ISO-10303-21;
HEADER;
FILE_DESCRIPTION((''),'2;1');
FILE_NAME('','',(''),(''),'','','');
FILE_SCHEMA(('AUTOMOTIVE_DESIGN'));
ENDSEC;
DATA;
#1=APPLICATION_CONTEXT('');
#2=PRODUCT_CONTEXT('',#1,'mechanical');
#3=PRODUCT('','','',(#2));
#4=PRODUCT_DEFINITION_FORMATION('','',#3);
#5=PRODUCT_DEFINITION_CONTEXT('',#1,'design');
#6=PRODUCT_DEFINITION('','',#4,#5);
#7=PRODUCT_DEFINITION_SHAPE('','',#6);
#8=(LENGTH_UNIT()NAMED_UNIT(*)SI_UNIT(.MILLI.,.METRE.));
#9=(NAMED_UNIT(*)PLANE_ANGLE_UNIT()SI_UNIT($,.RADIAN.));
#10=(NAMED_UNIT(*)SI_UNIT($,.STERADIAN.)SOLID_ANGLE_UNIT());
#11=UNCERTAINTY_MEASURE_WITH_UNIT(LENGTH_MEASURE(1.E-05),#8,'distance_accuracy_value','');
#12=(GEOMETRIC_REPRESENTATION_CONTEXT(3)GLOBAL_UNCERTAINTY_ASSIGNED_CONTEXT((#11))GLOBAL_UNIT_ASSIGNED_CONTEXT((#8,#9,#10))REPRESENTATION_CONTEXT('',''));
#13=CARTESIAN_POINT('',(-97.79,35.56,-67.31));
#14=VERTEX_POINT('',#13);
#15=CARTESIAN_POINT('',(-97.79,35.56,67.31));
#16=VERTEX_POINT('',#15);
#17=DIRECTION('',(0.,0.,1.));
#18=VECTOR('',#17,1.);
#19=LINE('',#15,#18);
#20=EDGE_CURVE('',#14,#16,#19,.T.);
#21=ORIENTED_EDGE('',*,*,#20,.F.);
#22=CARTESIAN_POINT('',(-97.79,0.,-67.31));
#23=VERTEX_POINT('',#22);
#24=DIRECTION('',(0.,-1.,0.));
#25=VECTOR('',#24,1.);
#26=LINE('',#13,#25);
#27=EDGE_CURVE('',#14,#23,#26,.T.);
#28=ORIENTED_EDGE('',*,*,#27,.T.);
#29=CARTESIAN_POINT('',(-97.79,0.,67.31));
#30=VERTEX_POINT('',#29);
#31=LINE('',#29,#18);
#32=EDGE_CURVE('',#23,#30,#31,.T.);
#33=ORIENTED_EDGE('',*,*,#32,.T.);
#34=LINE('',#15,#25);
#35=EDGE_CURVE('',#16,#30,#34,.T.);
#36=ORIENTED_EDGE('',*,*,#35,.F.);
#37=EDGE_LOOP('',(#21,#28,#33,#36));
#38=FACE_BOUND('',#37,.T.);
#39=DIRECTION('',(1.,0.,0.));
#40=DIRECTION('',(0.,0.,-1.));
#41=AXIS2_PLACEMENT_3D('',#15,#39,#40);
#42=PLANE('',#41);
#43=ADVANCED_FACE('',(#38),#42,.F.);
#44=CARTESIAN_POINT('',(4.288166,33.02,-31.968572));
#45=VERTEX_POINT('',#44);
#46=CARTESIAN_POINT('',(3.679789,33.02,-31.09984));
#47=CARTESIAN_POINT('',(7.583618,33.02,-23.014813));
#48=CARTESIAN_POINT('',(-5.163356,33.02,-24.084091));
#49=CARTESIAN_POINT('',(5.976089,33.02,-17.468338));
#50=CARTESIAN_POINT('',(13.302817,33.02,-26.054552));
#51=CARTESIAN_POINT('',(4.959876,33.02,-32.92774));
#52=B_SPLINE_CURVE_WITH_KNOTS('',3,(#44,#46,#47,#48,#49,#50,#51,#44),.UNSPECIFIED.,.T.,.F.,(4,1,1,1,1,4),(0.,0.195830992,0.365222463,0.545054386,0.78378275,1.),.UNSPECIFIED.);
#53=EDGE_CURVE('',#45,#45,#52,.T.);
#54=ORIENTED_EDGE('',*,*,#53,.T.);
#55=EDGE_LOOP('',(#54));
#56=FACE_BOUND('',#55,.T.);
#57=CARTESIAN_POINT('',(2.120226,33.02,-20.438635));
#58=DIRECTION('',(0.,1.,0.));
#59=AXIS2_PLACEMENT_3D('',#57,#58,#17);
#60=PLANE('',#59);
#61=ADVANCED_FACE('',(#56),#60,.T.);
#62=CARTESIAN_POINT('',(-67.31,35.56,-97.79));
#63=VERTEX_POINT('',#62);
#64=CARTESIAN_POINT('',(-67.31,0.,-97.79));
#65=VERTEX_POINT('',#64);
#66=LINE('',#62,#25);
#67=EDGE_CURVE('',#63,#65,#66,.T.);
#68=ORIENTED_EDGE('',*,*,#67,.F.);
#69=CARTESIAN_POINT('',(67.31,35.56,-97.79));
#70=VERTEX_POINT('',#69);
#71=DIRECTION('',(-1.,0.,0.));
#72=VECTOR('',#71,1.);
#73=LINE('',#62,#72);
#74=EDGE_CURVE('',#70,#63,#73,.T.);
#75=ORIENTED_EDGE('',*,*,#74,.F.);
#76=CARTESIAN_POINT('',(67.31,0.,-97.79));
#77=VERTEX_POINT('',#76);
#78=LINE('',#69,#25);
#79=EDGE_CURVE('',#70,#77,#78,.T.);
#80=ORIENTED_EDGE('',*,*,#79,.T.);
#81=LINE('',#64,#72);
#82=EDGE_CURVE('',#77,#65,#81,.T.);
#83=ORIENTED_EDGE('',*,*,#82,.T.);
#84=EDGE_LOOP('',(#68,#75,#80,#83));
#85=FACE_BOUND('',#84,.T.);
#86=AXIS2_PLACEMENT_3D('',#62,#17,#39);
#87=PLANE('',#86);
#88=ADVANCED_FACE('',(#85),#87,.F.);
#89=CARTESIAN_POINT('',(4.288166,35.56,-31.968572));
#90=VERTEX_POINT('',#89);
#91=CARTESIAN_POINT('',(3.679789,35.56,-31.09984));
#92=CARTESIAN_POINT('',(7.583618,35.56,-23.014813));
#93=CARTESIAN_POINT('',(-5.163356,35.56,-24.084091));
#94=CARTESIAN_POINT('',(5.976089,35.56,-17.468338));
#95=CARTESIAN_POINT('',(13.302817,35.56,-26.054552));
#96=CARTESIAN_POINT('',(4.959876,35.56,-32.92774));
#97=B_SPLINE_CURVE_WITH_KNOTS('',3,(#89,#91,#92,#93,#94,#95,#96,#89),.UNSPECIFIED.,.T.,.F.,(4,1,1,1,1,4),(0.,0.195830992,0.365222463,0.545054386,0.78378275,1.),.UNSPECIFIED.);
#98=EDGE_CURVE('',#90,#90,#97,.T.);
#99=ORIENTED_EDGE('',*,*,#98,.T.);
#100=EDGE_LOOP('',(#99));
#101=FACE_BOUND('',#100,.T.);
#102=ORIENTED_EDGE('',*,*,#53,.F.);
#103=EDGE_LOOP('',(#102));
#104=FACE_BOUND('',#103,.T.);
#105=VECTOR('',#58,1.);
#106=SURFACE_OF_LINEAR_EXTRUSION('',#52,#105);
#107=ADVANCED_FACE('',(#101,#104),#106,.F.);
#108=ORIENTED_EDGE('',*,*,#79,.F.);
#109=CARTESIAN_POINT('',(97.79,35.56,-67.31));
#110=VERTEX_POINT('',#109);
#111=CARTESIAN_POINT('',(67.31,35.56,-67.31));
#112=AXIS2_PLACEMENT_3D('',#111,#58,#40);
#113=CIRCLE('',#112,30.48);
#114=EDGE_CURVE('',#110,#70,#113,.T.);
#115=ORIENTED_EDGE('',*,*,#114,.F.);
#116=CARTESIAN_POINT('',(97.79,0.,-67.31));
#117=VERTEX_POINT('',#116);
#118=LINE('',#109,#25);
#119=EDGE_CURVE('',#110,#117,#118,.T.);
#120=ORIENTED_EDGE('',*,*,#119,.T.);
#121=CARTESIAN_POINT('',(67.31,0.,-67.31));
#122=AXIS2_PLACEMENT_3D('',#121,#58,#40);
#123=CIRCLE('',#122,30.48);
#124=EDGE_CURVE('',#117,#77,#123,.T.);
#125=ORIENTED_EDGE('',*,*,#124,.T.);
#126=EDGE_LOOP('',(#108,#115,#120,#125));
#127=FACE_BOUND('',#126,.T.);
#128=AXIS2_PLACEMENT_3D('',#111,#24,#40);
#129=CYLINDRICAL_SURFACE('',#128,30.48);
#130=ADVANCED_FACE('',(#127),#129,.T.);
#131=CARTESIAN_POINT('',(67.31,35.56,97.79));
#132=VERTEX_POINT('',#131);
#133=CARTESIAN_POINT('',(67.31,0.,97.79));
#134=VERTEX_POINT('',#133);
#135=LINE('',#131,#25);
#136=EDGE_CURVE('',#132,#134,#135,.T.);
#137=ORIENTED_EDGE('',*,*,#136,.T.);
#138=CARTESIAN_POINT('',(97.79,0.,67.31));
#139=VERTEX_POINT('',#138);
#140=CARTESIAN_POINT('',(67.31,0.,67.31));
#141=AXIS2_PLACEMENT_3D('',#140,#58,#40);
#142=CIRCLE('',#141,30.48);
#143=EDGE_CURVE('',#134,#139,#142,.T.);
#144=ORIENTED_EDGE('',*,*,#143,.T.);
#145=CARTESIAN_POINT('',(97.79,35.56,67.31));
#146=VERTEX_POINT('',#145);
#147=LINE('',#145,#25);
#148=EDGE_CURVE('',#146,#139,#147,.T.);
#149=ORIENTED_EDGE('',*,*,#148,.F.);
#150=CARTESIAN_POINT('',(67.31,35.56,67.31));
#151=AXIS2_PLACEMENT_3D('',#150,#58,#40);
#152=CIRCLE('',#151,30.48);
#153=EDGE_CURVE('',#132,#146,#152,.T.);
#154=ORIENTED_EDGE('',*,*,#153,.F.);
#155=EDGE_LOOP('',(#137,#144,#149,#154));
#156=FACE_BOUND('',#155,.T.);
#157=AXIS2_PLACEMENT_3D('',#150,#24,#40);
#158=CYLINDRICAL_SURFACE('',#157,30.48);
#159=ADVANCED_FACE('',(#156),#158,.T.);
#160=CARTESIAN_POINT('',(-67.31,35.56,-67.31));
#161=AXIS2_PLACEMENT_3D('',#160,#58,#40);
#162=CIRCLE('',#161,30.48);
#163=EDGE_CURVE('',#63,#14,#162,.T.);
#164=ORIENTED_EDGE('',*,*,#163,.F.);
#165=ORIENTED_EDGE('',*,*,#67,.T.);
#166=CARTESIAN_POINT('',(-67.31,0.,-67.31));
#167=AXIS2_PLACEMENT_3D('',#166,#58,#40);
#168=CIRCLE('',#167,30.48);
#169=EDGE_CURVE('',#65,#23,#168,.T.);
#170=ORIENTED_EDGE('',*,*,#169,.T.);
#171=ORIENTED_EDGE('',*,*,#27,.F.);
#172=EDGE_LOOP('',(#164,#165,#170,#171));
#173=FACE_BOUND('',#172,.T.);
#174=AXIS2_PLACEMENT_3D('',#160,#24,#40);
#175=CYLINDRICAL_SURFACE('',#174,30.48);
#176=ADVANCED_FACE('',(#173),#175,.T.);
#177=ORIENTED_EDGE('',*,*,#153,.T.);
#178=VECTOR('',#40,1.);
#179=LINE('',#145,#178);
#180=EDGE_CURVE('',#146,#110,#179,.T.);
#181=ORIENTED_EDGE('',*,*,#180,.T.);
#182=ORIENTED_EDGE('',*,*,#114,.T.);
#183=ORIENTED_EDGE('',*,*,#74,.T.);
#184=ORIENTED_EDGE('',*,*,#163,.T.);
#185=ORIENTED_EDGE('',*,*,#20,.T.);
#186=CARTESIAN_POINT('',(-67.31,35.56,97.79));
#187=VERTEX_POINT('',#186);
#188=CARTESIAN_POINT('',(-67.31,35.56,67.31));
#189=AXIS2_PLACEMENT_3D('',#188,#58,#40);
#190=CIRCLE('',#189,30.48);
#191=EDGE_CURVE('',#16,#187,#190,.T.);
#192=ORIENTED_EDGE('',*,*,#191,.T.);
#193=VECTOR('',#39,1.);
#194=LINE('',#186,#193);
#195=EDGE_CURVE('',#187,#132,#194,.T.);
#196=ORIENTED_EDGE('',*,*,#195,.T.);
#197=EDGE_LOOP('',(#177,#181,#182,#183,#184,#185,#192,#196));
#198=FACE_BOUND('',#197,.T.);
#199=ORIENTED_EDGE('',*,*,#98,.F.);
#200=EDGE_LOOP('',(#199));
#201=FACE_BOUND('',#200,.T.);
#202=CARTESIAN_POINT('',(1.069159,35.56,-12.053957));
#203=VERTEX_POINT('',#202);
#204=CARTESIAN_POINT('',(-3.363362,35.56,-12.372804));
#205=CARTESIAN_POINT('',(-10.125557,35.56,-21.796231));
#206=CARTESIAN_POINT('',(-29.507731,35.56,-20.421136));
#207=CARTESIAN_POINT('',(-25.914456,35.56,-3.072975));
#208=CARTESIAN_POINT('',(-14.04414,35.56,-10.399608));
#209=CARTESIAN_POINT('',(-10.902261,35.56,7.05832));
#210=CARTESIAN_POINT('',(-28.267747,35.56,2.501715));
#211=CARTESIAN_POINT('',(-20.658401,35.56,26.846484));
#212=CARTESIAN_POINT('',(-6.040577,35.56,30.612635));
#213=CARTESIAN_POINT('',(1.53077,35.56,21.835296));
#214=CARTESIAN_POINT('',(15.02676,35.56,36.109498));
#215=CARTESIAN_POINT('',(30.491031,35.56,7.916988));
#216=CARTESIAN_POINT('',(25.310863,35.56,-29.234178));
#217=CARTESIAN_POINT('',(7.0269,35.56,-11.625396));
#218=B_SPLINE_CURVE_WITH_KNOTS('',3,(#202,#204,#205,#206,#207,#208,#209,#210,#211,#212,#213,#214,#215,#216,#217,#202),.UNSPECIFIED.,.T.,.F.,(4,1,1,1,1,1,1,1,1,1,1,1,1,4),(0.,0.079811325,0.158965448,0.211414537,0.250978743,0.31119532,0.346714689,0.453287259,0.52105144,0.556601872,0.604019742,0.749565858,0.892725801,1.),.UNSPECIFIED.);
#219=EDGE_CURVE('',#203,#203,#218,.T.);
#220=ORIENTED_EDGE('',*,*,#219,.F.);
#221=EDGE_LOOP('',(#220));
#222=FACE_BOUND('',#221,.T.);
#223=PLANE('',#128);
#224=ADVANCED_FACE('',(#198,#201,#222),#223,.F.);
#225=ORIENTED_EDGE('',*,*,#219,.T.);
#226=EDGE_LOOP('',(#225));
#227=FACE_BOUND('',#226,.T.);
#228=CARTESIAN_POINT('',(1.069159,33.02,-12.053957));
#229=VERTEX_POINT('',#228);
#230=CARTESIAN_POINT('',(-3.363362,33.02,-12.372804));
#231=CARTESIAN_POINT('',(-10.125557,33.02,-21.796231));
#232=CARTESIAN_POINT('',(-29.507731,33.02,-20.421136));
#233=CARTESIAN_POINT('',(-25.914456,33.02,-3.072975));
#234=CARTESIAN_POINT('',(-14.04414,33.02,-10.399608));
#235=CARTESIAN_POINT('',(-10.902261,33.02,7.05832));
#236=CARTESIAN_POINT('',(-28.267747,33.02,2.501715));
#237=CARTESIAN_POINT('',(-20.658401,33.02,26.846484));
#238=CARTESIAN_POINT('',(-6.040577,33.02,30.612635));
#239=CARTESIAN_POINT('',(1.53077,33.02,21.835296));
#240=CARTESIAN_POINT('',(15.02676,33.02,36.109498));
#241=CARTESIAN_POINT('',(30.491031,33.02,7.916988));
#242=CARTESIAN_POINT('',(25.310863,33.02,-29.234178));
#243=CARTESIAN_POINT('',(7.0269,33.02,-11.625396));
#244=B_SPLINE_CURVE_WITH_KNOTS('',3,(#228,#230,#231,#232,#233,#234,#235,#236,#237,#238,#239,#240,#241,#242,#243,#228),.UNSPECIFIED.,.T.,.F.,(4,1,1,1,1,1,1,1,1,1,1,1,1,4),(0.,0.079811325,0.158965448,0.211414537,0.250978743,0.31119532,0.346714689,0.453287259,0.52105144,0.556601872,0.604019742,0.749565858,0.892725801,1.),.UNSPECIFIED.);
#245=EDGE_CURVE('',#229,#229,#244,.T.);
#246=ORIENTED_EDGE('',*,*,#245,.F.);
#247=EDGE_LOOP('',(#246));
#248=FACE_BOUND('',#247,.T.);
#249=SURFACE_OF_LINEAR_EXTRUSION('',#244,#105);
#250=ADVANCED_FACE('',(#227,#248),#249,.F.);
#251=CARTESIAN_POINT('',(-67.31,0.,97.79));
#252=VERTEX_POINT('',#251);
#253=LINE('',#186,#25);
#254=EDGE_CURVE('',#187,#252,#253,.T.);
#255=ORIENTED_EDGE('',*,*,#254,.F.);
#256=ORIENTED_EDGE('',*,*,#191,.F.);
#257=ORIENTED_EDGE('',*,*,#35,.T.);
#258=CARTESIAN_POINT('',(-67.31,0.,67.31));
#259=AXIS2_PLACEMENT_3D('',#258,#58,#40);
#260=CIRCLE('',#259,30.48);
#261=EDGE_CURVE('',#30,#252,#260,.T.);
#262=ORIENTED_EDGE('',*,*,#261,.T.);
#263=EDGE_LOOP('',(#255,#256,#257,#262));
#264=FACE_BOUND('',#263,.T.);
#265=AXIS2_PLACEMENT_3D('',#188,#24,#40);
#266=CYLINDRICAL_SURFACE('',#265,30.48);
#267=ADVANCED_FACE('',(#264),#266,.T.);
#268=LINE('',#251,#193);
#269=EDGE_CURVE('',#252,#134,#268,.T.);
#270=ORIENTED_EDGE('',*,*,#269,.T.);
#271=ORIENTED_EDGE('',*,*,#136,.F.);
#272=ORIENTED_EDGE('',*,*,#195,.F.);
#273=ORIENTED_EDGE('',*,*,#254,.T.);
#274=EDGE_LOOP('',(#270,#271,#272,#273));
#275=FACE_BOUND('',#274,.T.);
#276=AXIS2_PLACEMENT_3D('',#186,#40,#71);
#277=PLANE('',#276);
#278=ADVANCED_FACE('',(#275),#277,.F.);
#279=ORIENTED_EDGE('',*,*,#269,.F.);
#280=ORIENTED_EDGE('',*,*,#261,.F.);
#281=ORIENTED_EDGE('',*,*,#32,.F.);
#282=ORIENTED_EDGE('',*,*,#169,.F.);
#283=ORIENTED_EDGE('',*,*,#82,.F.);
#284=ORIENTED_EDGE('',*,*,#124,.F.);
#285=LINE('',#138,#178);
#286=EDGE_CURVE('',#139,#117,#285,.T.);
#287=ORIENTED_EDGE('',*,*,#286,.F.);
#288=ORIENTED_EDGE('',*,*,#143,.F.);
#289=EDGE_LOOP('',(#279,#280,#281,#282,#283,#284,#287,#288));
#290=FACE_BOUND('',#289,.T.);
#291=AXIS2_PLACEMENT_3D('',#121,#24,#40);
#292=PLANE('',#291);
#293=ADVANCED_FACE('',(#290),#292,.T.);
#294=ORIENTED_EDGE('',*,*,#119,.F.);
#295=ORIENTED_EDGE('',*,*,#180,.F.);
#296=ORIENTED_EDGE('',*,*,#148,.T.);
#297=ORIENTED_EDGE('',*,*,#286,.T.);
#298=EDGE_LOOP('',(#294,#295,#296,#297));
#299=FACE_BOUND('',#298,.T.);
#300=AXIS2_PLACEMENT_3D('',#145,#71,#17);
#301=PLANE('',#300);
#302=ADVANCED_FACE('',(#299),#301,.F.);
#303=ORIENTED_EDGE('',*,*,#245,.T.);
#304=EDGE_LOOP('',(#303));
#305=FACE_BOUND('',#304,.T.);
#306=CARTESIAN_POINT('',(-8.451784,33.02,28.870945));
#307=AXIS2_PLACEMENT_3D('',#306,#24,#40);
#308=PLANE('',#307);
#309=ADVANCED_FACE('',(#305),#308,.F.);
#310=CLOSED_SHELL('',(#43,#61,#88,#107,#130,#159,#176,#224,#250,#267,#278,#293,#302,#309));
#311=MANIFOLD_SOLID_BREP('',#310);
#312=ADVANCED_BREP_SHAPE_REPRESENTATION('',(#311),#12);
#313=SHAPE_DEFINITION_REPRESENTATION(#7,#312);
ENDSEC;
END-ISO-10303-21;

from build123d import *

# Parameters (mm, degrees)
BOSS_EXTRUDE1_DEPTH = 35.56
CUT_EXTRUDE1_DEPTH  = 2.54


with BuildPart() as part:
    # Sketch1 → Boss-Extrude1 (new body)
    with BuildSketch(Plane(origin=(0, 0, 0), x_dir=(1, 0, 0), z_dir=(0, 1, 0))):
        with BuildLine():
            Line((-67.31, -97.79), (67.31, -97.79))
            ThreePointArc((67.31, -97.79), (88.862614691, -88.862614691), (97.79, -67.31))
            Line((97.79, -67.31), (97.79, 67.31))
            ThreePointArc((97.79, 67.31), (88.862614691, 88.862614691), (67.31, 97.79))
            Line((67.31, 97.79), (-67.31, 97.79))
            ThreePointArc((-67.31, 97.79), (-88.862614691, 88.862614691), (-97.79, 67.31))
            Line((-97.79, 67.31), (-97.79, -67.31))
            ThreePointArc((-97.79, -67.31), (-88.862614691, -88.862614691), (-67.31, -97.79))
        make_face()
    extrude(amount=BOSS_EXTRUDE1_DEPTH)

    # Sketch2 → Cut-Extrude1 (cut)
    with BuildSketch(Plane(origin=(0, 35.56, 0), x_dir=(1, 0, 0), z_dir=(0, 1, 0))):
        with BuildLine():
            add(Edge.make_bspline(
                [(1.069159263, 12.053957352), (7.026900295, 11.625396007), (25.310862844, 29.234177767), (30.491031338, -7.916988095), (15.026759827, -36.109498005), (1.530770275, -21.83529591), (-6.040576613, -30.612635114), (-20.658401128, -26.846483994), (-28.267746675, -2.501714901), (-10.902260805, -7.058320175), (-14.044140154, 10.399607654), (-25.914455938, 3.072974608), (-29.507731033, 20.421135825), (-10.125556887, 21.796230615), (-3.363362348, 12.372804279), (1.069159263, 12.053957352)],
                knots=[0, 0, 0, 0, 0.107274199, 0.250434142, 0.395980258, 0.443398128, 0.47894856, 0.546712741, 0.653285311, 0.68880468, 0.749021257, 0.788585463, 0.841034552, 0.920188675, 1, 1, 1, 1], degree=3))
        make_face()
        with BuildLine():
            add(Edge.make_bspline(
                [(4.288165985, 31.968571753), (4.959875783, 32.927739875), (13.302817449, 26.054551709), (5.976088668, 17.468338472), (-5.163355857, 24.084090932), (7.583617977, 23.014813046), (3.679789011, 31.099839749), (4.288165985, 31.968571753)],
                knots=[0, 0, 0, 0, 0.21621725, 0.454945614, 0.634777537, 0.804169008, 1, 1, 1, 1], degree=3))
        make_face()
    extrude(amount=-CUT_EXTRUDE1_DEPTH, mode=Mode.SUBTRACT)


solid = part.part
